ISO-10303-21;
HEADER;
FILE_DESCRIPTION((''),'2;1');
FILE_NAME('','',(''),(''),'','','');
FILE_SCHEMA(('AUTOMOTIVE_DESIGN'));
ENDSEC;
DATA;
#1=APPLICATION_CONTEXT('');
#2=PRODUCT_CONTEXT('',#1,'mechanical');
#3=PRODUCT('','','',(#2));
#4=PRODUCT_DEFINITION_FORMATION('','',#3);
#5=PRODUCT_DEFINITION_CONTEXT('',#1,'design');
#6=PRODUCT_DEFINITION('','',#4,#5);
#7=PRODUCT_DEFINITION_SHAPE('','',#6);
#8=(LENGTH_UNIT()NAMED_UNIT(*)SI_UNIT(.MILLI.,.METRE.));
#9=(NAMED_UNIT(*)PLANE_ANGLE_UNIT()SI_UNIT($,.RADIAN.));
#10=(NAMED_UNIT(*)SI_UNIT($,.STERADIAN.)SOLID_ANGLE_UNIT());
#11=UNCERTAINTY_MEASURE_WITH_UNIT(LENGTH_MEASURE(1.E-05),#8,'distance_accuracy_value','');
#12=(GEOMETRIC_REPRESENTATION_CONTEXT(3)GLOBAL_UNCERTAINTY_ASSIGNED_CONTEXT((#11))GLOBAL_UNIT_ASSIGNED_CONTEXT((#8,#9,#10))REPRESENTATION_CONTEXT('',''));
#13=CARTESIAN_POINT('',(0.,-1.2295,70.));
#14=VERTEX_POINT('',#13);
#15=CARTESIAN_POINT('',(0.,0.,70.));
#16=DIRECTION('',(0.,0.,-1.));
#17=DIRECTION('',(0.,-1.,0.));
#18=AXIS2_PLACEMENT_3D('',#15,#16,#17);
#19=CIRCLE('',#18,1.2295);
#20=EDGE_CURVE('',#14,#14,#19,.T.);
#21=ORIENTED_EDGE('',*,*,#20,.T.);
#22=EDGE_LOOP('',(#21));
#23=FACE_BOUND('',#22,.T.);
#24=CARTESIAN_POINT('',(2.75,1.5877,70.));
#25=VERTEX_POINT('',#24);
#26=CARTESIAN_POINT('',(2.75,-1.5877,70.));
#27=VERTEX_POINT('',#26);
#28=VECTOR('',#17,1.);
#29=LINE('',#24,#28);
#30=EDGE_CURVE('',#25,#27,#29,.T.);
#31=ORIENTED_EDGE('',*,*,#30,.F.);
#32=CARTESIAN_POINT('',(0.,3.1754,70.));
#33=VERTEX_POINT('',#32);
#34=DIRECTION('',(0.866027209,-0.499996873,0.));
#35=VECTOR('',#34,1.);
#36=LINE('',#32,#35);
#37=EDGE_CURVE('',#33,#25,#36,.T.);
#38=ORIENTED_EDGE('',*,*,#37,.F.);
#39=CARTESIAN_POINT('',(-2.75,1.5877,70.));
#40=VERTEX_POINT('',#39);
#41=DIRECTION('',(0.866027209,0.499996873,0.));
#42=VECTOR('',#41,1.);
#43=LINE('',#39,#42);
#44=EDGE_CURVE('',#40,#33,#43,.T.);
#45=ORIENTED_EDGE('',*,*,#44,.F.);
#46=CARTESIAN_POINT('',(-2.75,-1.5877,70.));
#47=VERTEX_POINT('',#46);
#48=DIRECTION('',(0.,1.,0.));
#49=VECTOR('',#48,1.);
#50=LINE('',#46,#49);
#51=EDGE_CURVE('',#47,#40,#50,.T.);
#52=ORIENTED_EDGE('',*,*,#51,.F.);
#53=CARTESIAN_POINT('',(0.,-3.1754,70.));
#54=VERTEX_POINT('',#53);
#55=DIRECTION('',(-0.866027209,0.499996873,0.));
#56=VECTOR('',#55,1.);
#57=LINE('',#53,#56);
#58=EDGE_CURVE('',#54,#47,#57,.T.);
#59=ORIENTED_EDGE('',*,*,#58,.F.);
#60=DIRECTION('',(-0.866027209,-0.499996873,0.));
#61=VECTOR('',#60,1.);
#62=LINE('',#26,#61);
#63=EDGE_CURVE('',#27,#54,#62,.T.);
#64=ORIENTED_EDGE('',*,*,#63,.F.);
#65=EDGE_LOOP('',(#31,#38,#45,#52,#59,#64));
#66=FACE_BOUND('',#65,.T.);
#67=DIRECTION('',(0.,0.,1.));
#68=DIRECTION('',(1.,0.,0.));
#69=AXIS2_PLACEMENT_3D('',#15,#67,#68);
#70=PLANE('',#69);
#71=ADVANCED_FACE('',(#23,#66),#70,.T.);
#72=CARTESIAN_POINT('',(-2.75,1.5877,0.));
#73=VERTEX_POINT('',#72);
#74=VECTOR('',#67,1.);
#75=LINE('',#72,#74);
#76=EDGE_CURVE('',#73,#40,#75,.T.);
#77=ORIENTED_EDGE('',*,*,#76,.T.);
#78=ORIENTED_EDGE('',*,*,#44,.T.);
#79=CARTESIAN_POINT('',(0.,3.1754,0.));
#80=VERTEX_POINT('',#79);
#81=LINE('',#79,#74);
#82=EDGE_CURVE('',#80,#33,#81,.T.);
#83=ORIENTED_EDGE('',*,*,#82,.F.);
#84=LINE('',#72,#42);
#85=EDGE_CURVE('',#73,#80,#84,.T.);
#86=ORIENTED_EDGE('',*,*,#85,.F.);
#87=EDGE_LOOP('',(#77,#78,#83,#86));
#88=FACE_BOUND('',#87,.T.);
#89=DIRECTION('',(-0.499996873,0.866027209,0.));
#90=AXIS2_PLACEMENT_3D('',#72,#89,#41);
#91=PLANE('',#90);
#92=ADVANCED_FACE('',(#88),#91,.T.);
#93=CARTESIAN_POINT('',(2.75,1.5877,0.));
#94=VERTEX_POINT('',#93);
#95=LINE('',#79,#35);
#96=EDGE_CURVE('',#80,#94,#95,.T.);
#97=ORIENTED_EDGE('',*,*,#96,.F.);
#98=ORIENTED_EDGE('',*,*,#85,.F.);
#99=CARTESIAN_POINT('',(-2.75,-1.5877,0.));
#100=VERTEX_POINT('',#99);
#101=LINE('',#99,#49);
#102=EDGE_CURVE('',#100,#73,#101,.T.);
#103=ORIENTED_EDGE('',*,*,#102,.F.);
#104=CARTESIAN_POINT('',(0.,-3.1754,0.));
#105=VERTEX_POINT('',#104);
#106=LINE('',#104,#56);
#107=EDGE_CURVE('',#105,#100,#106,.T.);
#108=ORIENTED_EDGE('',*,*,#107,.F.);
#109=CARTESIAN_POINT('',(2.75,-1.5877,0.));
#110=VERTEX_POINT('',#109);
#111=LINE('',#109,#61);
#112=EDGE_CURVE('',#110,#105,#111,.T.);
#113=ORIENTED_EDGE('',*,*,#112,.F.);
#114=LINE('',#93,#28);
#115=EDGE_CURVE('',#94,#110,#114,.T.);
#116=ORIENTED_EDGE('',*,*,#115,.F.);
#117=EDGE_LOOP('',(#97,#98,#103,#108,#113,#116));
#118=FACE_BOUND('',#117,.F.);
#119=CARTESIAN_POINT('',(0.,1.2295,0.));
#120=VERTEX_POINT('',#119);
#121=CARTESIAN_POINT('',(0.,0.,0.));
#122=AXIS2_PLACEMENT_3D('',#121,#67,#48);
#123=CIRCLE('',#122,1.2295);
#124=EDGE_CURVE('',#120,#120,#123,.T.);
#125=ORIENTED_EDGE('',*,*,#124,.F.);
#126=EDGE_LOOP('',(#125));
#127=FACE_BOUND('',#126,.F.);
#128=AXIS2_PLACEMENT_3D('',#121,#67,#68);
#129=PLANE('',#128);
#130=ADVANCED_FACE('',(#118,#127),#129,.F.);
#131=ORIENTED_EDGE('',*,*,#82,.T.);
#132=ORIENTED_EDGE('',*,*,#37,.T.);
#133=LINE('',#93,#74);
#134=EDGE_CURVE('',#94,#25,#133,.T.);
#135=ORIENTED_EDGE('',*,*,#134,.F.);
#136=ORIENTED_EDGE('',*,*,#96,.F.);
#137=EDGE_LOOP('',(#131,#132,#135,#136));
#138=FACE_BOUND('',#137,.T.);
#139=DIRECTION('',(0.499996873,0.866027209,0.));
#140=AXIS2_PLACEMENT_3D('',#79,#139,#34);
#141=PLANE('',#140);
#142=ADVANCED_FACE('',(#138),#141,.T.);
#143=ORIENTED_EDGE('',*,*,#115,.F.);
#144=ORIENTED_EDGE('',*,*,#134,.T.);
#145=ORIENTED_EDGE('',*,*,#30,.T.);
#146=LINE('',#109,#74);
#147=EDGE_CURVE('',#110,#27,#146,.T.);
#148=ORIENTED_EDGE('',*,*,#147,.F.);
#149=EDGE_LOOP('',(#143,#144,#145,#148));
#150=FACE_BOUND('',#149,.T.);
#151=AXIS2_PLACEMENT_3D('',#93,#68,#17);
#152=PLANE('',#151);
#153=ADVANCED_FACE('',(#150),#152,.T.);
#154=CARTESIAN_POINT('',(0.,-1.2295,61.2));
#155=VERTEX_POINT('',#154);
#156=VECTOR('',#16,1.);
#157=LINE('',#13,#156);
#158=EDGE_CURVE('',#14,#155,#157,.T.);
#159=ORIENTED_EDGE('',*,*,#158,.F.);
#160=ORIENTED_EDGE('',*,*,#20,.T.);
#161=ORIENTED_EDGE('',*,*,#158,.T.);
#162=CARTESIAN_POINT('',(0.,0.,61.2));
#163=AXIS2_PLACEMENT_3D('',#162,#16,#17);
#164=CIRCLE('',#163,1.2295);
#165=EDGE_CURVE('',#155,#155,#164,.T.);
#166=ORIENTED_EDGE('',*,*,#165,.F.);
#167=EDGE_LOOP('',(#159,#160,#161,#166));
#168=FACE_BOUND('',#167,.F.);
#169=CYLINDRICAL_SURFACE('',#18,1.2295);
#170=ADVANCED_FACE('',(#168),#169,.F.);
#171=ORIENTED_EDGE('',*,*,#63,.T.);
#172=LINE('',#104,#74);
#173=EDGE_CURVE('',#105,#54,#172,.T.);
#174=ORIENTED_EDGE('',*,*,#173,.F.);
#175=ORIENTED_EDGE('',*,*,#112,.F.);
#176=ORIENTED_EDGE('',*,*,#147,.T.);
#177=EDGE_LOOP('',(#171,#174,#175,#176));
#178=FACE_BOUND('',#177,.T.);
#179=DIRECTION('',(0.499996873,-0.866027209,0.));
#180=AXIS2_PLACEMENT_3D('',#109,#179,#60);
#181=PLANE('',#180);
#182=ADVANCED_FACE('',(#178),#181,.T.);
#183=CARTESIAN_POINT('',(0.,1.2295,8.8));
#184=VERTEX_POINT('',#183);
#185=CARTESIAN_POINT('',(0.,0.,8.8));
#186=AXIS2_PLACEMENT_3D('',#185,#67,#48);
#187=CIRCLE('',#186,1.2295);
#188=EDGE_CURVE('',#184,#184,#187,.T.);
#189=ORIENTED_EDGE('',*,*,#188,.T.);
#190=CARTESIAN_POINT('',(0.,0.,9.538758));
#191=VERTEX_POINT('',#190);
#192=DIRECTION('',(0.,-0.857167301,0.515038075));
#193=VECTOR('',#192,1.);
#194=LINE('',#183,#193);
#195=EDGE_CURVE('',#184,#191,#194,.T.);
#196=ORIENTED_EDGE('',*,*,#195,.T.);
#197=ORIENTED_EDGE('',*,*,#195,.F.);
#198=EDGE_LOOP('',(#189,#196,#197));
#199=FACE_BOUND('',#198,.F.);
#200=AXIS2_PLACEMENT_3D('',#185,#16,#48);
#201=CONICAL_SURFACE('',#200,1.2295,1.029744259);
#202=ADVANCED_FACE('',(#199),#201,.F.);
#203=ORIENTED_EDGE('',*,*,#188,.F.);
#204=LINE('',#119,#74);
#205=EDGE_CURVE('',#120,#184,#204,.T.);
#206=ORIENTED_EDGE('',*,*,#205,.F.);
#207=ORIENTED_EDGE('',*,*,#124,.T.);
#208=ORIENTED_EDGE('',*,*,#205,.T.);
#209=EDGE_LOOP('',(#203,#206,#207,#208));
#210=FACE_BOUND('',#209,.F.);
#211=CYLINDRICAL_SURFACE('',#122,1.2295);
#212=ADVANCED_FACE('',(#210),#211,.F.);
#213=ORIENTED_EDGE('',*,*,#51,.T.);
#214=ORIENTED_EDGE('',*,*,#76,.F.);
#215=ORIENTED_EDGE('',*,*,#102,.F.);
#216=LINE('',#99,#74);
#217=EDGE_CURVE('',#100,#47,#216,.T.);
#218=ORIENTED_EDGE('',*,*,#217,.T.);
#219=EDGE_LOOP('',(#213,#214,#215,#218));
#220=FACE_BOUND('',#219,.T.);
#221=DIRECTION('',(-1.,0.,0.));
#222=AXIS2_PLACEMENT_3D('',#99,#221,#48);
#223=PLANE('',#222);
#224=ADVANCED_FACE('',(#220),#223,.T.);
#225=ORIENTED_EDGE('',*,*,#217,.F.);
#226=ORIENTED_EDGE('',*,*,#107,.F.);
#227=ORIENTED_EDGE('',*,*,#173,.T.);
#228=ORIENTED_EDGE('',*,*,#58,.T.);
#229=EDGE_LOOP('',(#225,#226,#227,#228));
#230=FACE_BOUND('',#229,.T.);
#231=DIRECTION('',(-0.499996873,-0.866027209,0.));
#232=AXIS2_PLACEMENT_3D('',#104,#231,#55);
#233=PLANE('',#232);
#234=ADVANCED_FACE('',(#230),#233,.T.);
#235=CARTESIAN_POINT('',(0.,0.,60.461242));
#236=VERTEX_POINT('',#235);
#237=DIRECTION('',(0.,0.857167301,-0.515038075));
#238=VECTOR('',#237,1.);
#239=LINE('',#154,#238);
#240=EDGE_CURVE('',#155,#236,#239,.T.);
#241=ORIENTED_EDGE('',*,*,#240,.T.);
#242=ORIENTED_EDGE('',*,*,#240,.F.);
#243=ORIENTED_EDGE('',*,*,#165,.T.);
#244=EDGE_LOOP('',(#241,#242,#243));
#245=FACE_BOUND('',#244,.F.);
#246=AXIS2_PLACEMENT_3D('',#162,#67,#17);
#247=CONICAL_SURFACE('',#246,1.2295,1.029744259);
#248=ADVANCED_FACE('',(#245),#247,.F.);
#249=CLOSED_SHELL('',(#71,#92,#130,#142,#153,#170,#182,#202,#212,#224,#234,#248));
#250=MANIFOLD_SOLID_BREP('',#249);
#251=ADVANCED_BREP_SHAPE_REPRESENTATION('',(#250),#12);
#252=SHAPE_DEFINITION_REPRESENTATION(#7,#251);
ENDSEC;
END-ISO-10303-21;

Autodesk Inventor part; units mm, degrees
ref_plane "YZ Plane" through (0, 0, 0) normal (1, 0, 0) x (0, 1, 0)
ref_plane "XZ Plane" through (0, 0, 0) normal (0, 1, 0) x (-1, 0, 0)
ref_plane "XY Plane" through (0, 0, 0) normal (0, 0, 1) x (1, 0, 0)
sketch "スケッチ1" plane through (0, 0, 0) normal (0, 0, 1) x (1, 0, 0)
  line L0 (0, 3.1754) -> (2.75, 1.5877)
  line L1 (2.75, 1.5877) -> (2.75, -1.5877)
  line L2 (2.75, -1.5877) -> (0, -3.1754)
  line L3 (0, -3.1754) -> (-2.75, -1.5877)
  line L4 (-2.75, -1.5877) -> (-2.75, 1.5877)
  line L5 (-2.75, 1.5877) -> (0, 3.1754)
  point P0 (0, 0)
  point P1 (0, 0)
  dimension "d0" = 5.5
extrude "押し出し1" add sketch "スケッチ1" along normal blind 70
sketch "スケッチ2" plane through (0, 0, 70) normal (0, 0, 1) x (1, 0, 0)
  point P0 (0, 0)
hole "穴1" at (0, 0, 70) direction (0, 0, -1) diameter 2.459 depth 8.8 tip angle 118 thread size "M3x0.5" class "6H" standard "ISO Metric profile"
sketch "スケッチ3" plane through (0, 0, 0) normal (0, 0, -1) x (-1, 0, 0)
  point P0 (0, 0)
hole "穴2" at (0, 0, 0) direction (0, 0, 1) diameter 2.459 depth 8.8 tip angle 118 thread size "M3x0.5" class "6H" standard "ISO Metric profile"
properties part number "アルミスペーサー(六角・酸洗処理）_ASL-370E" material "アルミニウム 6061"
